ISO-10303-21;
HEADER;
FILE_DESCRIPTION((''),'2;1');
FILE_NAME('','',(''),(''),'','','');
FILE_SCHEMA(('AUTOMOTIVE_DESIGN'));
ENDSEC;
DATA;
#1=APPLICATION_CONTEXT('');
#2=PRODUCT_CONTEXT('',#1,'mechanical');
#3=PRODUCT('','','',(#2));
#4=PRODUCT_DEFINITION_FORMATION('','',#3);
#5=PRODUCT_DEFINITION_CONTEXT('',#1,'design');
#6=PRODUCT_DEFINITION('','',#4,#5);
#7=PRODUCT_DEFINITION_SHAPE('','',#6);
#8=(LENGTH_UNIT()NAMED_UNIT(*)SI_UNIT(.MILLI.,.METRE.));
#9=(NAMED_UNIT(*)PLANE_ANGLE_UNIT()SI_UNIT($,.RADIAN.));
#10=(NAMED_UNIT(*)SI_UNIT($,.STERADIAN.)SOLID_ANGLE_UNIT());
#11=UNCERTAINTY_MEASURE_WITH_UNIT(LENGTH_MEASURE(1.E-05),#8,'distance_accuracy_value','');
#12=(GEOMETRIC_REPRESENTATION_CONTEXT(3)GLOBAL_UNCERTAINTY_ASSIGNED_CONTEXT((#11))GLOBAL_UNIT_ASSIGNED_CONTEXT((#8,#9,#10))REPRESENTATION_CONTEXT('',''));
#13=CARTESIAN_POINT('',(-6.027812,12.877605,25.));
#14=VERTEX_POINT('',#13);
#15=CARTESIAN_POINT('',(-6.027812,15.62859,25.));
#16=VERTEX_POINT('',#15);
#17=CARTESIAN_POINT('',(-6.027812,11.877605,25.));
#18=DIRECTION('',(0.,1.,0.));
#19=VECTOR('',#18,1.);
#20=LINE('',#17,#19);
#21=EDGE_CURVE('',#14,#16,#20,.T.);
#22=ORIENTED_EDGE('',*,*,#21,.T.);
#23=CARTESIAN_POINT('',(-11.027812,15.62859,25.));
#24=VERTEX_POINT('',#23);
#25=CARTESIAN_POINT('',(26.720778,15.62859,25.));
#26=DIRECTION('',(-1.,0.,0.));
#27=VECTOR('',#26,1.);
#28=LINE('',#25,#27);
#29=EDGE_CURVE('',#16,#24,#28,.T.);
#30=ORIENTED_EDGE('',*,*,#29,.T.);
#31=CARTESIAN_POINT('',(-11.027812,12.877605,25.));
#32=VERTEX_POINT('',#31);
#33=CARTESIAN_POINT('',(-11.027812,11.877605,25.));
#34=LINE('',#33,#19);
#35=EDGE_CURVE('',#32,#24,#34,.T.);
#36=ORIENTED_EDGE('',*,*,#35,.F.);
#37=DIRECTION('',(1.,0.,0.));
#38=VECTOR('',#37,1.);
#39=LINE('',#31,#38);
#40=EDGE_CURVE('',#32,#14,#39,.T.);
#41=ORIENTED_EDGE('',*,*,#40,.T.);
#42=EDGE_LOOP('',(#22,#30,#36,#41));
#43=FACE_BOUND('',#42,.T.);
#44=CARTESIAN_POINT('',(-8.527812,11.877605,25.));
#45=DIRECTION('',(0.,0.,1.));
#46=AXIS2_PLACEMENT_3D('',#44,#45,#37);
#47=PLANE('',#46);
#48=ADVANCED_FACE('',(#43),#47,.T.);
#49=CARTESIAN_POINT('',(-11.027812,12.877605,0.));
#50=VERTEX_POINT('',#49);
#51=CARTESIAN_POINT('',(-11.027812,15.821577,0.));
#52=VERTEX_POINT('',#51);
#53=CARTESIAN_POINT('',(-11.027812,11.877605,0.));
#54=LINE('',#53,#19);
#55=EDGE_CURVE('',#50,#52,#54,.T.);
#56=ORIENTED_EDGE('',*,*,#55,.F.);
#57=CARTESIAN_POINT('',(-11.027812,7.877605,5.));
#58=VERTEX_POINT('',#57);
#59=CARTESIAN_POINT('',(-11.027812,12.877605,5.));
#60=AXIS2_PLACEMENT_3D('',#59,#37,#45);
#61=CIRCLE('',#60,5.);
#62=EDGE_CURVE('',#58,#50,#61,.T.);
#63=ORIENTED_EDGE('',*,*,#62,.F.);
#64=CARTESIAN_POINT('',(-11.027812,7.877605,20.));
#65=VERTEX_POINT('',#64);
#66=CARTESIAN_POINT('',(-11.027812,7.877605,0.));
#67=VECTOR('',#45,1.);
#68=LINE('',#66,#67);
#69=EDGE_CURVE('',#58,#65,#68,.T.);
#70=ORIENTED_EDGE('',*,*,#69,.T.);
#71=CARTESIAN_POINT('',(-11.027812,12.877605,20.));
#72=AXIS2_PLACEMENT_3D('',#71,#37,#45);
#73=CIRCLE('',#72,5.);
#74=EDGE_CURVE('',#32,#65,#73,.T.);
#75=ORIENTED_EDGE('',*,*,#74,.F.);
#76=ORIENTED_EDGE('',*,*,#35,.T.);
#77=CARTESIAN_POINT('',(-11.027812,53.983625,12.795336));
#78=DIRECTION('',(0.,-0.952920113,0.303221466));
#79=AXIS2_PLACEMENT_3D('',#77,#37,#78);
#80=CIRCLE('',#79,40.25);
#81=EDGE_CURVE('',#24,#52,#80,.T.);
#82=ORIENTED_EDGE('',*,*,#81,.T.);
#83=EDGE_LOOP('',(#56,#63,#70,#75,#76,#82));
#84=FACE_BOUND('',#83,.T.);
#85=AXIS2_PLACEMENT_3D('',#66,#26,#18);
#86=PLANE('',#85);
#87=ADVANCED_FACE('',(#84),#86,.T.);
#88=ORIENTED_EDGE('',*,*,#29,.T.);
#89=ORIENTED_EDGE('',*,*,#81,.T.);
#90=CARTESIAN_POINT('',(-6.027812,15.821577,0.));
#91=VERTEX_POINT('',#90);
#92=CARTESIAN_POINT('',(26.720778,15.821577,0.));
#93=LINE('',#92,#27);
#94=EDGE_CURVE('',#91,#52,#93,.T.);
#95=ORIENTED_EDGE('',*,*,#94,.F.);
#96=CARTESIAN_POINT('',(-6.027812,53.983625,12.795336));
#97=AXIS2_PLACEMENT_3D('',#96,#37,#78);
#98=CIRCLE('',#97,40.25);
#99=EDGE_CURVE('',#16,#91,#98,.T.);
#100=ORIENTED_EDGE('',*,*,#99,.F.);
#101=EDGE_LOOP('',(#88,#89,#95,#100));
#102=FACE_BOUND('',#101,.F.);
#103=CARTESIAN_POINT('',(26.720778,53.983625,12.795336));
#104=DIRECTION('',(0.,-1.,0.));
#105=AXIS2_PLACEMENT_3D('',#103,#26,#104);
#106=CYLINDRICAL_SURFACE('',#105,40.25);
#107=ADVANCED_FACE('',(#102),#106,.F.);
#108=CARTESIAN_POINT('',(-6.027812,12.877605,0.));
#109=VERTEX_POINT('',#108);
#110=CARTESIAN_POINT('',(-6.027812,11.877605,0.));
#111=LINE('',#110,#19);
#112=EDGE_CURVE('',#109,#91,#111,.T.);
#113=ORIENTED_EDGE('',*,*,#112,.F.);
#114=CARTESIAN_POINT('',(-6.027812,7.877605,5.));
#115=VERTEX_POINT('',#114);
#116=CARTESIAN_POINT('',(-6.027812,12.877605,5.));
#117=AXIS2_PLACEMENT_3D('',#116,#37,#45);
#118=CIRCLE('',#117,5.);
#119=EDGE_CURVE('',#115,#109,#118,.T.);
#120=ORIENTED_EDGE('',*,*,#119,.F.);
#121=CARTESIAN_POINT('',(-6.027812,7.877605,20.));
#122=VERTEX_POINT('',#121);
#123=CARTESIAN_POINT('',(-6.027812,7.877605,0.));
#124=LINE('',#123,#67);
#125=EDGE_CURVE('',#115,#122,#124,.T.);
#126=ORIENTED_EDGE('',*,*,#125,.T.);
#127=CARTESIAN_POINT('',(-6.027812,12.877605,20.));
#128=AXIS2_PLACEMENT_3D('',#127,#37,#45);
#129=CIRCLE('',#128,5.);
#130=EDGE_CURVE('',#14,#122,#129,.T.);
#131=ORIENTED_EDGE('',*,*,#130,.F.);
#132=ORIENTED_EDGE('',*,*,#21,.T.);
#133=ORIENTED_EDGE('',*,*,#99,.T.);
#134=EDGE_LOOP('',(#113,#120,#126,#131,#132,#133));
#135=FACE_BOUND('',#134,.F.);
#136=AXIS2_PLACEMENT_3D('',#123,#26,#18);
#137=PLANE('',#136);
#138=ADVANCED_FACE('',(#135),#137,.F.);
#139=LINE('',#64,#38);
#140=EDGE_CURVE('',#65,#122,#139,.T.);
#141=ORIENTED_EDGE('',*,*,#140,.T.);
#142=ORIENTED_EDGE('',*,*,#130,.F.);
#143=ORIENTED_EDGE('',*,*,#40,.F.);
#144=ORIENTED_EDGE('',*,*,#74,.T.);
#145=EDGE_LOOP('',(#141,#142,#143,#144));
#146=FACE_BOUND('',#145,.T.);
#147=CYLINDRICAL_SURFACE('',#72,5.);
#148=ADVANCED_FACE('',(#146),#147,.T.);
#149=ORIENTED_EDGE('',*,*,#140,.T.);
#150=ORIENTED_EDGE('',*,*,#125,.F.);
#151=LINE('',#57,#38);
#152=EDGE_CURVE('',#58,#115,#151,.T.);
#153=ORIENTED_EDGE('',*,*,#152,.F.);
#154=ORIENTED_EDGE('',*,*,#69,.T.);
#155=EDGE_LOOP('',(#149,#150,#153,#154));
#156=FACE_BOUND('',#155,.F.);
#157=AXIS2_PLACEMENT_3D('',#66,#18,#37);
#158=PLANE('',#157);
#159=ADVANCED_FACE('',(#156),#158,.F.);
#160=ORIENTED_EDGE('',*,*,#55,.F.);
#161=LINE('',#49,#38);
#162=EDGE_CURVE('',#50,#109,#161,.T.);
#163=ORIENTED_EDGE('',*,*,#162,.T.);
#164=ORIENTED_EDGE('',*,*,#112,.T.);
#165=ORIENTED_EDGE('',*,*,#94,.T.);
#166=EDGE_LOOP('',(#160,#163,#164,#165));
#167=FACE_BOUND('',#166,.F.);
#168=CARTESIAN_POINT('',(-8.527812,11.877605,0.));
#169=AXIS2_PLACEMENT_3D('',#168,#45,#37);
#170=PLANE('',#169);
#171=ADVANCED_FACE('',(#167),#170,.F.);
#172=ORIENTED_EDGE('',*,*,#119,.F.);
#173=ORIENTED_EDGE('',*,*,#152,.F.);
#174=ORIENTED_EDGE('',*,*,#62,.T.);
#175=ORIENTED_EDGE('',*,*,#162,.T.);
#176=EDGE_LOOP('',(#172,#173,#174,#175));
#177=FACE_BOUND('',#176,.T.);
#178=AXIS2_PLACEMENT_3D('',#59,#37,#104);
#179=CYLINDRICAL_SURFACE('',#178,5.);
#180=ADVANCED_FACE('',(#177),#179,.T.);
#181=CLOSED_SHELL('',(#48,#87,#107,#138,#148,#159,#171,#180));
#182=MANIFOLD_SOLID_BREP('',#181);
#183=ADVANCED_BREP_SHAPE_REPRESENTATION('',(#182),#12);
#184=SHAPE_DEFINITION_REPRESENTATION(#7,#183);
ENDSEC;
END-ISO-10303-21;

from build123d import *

# Parameters (mm, degrees)
F0_W     = 5
F0_H     = 8
F1_DEPTH = 25
F3_D     = 80.5
F4_R     = 5


with BuildPart() as f1:
    # F0 (on Top) → F1 (new body)
    with BuildSketch(Plane.XY):
        with Locations((-8.527812, 11.877605)):
            Rectangle(F0_W, F0_H)
    extrude(amount=F1_DEPTH)

    # F3 (through all)
    with Locations(Plane.YZ):
        with Locations((53.983625, 12.795336)):
            Hole(F3_D / 2)

    # F4
    f4_edges = [f1.edges().sort_by_distance(p)[0] for p in [
        (-8.527812, 7.877605, 0),
        (-8.527812, 7.877605, 25),
    ]]
    fillet(f4_edges, radius=F4_R)


solid = f1.part
